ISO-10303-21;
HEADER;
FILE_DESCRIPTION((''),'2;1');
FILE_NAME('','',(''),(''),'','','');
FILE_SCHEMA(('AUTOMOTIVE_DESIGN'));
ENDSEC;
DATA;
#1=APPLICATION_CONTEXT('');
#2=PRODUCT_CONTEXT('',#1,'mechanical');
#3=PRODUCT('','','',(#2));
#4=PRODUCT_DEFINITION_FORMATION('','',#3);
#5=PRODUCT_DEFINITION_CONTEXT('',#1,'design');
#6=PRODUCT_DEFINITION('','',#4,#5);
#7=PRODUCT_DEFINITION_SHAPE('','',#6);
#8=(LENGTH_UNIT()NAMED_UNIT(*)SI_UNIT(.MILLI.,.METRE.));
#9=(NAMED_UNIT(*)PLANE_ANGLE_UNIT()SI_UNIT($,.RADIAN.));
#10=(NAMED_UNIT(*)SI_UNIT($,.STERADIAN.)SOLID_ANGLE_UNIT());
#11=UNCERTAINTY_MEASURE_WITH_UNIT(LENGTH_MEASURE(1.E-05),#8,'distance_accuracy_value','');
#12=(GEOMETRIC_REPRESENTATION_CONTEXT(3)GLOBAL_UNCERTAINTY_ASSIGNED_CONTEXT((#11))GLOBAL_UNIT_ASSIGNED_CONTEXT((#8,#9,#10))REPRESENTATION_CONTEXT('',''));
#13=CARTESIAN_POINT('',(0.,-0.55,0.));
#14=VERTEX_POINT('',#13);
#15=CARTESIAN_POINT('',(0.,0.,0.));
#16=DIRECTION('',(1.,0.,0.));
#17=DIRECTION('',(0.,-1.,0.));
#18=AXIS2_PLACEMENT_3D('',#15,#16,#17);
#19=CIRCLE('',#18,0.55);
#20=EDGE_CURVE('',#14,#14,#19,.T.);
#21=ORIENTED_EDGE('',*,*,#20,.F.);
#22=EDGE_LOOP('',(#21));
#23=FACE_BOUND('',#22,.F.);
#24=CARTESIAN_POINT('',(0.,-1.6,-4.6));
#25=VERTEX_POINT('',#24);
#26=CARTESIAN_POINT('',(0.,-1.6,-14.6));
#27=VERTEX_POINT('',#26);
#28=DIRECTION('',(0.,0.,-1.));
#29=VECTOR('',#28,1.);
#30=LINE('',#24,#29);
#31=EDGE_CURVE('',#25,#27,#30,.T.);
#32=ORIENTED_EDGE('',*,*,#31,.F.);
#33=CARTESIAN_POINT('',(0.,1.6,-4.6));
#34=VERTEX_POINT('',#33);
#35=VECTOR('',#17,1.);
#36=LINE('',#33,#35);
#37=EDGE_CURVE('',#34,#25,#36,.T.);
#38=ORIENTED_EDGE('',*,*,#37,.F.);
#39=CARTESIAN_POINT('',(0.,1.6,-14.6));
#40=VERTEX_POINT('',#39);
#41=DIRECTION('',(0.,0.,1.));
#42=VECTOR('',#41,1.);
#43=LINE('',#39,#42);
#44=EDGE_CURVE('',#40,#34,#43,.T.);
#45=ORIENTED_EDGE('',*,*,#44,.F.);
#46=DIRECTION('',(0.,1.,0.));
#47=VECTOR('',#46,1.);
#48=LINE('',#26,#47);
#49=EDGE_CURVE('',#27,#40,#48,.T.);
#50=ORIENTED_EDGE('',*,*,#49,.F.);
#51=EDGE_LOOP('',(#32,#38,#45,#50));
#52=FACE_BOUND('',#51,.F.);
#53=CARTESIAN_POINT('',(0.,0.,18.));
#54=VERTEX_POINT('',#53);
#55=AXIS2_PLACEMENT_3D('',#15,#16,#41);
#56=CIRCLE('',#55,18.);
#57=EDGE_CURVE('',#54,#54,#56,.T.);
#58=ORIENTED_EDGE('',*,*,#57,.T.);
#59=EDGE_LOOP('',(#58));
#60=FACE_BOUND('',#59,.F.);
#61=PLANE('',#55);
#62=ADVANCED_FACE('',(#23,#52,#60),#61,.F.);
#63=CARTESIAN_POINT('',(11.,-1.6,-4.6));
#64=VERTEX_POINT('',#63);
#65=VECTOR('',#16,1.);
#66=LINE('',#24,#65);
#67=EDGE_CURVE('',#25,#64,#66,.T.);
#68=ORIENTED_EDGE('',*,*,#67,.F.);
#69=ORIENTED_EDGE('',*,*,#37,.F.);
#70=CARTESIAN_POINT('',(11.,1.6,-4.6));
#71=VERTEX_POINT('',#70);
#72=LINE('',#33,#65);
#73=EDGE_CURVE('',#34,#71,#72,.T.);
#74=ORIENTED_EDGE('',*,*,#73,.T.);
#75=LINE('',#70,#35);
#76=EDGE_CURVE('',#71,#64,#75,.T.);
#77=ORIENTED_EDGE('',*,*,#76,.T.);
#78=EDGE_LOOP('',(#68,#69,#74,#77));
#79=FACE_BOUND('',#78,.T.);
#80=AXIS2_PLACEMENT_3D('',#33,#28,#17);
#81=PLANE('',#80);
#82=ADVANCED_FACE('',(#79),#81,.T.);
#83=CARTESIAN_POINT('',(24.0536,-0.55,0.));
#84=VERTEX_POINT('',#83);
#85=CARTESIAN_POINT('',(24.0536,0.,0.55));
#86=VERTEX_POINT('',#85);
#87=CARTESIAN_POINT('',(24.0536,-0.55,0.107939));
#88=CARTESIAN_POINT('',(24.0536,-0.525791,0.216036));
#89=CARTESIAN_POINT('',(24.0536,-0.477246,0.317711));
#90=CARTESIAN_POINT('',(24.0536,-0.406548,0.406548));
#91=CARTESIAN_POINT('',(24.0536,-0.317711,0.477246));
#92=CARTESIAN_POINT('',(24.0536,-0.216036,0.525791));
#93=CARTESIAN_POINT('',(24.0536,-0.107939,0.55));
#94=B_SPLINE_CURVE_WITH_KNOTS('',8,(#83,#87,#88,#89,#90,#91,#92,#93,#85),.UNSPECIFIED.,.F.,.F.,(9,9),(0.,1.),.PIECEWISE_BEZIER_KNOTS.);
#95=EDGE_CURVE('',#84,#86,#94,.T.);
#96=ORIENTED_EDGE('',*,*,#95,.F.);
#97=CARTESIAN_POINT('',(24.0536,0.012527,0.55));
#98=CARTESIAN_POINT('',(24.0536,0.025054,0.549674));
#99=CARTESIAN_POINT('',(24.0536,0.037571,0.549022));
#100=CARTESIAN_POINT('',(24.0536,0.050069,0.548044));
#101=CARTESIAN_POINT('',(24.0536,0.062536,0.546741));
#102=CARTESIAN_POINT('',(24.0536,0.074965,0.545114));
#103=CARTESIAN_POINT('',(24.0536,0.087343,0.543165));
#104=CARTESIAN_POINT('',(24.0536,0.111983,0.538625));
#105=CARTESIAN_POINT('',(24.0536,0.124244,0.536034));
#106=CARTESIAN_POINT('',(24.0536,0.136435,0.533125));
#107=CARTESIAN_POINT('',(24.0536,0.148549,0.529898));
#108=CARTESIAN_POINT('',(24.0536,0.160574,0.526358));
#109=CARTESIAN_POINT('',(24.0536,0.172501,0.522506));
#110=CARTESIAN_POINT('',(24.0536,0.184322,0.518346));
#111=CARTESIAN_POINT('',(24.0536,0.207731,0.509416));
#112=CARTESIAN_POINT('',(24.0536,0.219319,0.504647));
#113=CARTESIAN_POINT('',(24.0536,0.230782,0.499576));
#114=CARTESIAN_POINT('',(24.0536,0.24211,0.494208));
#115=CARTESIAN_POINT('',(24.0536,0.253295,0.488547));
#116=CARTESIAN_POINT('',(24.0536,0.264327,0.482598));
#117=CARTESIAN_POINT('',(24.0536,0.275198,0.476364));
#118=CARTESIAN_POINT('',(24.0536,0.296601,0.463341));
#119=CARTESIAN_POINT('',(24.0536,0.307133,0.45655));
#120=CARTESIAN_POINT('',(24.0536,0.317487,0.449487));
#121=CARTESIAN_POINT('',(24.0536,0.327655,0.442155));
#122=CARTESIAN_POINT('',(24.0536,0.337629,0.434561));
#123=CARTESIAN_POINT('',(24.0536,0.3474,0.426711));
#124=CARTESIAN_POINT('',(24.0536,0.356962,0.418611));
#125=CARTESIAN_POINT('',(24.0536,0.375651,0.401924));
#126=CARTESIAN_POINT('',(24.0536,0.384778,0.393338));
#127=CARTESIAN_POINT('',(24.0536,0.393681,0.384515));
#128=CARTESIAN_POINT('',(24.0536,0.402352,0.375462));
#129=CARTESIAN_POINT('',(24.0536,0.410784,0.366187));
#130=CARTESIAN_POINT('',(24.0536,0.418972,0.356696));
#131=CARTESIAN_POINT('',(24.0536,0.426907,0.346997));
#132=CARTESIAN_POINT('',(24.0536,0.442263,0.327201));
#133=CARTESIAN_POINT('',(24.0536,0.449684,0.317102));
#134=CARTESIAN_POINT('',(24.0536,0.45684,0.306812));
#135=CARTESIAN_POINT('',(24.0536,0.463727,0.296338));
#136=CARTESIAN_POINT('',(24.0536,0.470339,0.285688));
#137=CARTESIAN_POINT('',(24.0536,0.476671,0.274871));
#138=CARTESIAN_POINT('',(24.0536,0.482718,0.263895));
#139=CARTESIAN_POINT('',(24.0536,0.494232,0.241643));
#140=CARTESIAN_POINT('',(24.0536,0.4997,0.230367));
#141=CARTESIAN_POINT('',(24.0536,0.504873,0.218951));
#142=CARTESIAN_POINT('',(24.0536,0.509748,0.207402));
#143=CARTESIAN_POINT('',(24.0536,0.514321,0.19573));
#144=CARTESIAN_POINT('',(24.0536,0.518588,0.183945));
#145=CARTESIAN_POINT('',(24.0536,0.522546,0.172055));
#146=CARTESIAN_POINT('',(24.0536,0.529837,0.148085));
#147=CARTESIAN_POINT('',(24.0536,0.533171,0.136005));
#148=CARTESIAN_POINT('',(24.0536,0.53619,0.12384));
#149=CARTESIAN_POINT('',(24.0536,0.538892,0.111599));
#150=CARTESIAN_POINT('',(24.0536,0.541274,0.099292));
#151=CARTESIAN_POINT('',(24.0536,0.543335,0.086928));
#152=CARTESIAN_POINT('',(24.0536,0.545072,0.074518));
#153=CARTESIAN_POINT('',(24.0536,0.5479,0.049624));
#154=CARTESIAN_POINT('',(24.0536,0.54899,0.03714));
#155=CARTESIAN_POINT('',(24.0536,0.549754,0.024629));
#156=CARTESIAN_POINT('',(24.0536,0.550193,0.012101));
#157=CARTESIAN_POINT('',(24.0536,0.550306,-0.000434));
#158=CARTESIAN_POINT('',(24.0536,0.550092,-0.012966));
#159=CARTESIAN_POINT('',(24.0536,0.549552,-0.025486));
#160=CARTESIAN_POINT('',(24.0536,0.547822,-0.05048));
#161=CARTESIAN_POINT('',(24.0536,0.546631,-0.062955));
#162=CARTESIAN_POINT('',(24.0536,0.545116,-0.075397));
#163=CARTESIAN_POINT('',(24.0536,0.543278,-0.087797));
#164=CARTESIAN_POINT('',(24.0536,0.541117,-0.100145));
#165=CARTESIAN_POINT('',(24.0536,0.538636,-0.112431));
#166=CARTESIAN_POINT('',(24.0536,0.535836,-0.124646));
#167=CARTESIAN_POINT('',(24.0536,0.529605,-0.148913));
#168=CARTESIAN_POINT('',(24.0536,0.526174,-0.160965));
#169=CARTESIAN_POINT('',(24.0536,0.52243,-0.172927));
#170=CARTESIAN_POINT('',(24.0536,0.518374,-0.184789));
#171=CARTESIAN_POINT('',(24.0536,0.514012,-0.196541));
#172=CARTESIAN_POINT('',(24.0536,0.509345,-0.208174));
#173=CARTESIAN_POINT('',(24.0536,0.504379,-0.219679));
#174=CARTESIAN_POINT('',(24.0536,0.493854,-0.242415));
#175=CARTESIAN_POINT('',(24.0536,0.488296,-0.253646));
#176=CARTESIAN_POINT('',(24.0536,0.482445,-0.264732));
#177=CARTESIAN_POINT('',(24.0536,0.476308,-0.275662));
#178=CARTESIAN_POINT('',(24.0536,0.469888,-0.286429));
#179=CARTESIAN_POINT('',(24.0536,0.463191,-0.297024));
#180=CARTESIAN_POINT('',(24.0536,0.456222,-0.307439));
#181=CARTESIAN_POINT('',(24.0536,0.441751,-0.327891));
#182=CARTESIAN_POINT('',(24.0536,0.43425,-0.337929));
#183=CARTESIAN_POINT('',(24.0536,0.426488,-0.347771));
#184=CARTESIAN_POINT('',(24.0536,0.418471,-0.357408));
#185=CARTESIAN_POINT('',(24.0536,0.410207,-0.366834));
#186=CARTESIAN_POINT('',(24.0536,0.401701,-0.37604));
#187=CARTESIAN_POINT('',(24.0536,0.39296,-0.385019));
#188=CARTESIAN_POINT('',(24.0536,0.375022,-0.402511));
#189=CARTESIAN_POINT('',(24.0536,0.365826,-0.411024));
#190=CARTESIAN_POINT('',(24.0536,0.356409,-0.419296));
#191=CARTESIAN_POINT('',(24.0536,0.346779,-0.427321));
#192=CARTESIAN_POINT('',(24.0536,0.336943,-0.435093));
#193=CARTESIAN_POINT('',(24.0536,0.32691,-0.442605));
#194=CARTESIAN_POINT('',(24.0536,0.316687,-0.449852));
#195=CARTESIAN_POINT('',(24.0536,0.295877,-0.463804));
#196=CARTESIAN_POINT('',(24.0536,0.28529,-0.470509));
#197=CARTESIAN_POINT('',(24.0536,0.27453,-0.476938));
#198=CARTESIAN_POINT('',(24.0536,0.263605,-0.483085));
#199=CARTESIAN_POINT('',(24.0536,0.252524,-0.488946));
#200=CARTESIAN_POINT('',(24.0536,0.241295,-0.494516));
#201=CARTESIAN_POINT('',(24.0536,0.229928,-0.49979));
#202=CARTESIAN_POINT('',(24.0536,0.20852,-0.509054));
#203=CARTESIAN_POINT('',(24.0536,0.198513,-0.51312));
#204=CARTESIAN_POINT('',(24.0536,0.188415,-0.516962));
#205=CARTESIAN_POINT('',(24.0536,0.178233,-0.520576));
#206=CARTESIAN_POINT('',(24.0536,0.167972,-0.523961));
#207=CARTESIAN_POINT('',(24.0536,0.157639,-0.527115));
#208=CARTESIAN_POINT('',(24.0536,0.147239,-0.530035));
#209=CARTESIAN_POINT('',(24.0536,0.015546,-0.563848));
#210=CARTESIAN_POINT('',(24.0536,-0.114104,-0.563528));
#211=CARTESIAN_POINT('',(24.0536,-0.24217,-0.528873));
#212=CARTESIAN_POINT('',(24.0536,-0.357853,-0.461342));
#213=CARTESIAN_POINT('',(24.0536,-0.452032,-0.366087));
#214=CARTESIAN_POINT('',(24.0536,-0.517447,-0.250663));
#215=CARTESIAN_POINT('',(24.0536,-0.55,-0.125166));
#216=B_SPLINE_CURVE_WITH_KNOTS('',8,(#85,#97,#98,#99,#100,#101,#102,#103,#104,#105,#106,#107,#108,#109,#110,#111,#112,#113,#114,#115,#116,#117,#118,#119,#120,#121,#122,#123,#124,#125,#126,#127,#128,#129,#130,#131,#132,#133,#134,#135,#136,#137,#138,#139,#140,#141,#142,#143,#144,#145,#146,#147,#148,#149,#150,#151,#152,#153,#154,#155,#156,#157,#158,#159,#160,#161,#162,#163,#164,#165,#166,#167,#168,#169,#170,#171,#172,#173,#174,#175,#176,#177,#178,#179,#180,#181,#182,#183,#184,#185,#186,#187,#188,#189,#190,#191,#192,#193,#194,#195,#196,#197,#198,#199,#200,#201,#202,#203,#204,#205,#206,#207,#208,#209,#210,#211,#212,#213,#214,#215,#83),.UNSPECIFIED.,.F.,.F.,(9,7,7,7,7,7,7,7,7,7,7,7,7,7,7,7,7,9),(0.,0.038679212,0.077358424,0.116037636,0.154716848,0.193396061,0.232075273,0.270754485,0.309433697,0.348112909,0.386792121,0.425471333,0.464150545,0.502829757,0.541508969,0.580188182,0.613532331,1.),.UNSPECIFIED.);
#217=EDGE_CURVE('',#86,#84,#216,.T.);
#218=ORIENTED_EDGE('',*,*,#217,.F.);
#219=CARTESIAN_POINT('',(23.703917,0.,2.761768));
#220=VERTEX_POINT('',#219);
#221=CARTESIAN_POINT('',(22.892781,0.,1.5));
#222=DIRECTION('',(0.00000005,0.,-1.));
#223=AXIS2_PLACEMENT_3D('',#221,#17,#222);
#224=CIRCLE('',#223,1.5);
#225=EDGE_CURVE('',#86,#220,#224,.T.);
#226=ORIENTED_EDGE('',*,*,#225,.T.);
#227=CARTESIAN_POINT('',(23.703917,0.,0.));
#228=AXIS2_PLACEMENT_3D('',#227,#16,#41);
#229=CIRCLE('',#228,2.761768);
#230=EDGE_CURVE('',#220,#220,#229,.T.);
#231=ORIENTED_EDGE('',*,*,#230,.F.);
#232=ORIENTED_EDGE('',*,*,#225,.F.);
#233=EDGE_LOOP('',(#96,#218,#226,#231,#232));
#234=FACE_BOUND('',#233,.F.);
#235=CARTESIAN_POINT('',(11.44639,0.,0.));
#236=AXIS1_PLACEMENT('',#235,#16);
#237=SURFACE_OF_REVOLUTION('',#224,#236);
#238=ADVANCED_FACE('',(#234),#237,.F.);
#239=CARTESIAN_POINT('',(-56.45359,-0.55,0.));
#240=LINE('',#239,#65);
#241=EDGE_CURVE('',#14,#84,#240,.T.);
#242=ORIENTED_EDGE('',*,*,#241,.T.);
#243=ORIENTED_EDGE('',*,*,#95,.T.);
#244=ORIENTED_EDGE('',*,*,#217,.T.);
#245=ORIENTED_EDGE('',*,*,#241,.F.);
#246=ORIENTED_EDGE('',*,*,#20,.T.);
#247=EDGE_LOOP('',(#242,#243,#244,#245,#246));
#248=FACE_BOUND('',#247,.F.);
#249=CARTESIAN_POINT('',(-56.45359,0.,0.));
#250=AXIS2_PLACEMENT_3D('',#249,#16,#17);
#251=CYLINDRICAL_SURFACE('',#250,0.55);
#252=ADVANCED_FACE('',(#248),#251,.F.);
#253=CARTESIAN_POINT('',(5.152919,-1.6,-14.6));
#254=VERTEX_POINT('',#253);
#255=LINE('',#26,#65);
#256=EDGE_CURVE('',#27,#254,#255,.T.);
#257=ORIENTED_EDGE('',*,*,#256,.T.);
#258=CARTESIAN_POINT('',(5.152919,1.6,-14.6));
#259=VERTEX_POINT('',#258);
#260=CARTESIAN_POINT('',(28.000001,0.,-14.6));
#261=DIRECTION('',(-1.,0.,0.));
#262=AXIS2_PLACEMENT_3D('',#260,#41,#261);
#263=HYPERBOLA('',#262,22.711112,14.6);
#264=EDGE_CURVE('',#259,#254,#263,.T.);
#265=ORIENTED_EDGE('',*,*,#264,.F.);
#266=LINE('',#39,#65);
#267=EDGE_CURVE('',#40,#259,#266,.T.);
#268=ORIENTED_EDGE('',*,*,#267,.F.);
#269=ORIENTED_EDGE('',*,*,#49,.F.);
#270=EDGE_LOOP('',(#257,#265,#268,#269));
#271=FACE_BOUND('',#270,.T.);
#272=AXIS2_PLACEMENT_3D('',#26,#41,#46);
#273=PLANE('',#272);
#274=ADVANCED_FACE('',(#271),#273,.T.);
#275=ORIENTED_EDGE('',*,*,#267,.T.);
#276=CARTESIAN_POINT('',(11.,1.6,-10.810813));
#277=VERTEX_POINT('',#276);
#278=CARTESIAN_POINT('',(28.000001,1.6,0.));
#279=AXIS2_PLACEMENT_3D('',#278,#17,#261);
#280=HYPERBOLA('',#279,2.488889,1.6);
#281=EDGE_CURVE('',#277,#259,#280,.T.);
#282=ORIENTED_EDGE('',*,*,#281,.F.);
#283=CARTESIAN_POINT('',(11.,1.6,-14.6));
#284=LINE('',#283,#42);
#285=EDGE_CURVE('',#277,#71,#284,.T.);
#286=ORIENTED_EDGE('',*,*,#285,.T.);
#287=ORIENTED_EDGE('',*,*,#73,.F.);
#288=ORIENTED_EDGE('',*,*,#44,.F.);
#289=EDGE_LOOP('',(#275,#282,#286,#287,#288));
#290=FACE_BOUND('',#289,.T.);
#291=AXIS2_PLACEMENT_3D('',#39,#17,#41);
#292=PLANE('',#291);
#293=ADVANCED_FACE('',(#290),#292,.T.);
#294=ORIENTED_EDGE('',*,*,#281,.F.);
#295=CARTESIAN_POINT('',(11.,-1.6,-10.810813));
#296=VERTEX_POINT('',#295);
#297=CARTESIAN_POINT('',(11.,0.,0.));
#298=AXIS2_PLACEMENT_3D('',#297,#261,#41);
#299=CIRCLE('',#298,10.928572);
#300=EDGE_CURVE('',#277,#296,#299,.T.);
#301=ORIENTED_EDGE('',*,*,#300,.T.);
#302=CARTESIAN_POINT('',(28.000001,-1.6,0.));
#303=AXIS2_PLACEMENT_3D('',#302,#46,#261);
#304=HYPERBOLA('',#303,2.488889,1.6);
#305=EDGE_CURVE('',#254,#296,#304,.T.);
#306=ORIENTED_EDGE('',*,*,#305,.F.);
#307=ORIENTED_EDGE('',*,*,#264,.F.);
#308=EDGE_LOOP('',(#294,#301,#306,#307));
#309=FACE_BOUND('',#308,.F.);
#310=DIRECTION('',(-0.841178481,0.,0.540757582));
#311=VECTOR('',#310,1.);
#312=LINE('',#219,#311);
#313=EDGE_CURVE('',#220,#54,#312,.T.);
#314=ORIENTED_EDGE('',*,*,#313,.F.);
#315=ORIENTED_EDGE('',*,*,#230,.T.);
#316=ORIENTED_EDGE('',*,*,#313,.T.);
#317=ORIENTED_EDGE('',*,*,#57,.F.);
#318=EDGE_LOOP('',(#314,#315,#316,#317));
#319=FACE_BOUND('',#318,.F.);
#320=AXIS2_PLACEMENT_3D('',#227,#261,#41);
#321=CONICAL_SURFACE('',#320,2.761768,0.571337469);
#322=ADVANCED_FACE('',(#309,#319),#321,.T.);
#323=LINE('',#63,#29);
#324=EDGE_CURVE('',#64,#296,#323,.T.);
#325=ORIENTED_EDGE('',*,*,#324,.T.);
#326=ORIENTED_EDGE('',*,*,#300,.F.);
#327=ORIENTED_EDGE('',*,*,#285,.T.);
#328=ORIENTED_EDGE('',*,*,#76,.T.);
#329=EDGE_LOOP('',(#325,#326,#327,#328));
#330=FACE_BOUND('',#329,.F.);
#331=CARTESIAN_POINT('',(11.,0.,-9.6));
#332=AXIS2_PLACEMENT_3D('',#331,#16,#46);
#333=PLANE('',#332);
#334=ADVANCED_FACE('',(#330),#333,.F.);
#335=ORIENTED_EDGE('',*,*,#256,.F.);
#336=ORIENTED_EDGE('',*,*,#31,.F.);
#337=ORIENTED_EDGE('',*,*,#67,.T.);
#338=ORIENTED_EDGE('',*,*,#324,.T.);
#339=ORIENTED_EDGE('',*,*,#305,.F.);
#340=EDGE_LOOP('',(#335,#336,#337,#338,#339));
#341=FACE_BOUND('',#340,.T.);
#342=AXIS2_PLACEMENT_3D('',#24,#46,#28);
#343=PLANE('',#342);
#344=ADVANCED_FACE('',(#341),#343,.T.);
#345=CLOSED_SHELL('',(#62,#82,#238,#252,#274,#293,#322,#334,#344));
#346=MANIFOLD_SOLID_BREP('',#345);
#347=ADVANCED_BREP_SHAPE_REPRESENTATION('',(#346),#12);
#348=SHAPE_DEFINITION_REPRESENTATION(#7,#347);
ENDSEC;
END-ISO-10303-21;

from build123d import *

# Parameters (mm, degrees)
F3_D     = 1.1
F5_DEPTH = 11


with BuildPart() as f1:
    # F0 (on Front) → F1 (revolve)
    with BuildSketch(Plane.XZ):
        with BuildLine():
            Line((0, 18), (0, 0))
            Line((0, 0), (22.892781, 0))
            ThreePointArc((22.892781, 0), (24.331991, 1.077301), (23.703917, 2.761768))
            Line((23.703917, 2.761768), (0, 18))
        make_face()
    revolve(axis=Axis((11.44639, 0, 0), (1, 0, 0)))

    # F3 (through all)
    with Locations(Plane(origin=(0, 0, 0), x_dir=(0, 1, 0), z_dir=(-1, 0, 0))):
        with Locations((0, 0)):
            Hole(F3_D / 2)

    # F4 (on Right) → F5 (cut)
    with BuildSketch(Plane.YZ):
        Polygon((-1.6, -8.85), (-1.6, -14.6), (1.6, -14.6), (1.6, -8.85), (1.6, -4.6), (-1.6, -4.6), align=None)
    extrude(amount=F5_DEPTH, mode=Mode.SUBTRACT)


solid = f1.part
